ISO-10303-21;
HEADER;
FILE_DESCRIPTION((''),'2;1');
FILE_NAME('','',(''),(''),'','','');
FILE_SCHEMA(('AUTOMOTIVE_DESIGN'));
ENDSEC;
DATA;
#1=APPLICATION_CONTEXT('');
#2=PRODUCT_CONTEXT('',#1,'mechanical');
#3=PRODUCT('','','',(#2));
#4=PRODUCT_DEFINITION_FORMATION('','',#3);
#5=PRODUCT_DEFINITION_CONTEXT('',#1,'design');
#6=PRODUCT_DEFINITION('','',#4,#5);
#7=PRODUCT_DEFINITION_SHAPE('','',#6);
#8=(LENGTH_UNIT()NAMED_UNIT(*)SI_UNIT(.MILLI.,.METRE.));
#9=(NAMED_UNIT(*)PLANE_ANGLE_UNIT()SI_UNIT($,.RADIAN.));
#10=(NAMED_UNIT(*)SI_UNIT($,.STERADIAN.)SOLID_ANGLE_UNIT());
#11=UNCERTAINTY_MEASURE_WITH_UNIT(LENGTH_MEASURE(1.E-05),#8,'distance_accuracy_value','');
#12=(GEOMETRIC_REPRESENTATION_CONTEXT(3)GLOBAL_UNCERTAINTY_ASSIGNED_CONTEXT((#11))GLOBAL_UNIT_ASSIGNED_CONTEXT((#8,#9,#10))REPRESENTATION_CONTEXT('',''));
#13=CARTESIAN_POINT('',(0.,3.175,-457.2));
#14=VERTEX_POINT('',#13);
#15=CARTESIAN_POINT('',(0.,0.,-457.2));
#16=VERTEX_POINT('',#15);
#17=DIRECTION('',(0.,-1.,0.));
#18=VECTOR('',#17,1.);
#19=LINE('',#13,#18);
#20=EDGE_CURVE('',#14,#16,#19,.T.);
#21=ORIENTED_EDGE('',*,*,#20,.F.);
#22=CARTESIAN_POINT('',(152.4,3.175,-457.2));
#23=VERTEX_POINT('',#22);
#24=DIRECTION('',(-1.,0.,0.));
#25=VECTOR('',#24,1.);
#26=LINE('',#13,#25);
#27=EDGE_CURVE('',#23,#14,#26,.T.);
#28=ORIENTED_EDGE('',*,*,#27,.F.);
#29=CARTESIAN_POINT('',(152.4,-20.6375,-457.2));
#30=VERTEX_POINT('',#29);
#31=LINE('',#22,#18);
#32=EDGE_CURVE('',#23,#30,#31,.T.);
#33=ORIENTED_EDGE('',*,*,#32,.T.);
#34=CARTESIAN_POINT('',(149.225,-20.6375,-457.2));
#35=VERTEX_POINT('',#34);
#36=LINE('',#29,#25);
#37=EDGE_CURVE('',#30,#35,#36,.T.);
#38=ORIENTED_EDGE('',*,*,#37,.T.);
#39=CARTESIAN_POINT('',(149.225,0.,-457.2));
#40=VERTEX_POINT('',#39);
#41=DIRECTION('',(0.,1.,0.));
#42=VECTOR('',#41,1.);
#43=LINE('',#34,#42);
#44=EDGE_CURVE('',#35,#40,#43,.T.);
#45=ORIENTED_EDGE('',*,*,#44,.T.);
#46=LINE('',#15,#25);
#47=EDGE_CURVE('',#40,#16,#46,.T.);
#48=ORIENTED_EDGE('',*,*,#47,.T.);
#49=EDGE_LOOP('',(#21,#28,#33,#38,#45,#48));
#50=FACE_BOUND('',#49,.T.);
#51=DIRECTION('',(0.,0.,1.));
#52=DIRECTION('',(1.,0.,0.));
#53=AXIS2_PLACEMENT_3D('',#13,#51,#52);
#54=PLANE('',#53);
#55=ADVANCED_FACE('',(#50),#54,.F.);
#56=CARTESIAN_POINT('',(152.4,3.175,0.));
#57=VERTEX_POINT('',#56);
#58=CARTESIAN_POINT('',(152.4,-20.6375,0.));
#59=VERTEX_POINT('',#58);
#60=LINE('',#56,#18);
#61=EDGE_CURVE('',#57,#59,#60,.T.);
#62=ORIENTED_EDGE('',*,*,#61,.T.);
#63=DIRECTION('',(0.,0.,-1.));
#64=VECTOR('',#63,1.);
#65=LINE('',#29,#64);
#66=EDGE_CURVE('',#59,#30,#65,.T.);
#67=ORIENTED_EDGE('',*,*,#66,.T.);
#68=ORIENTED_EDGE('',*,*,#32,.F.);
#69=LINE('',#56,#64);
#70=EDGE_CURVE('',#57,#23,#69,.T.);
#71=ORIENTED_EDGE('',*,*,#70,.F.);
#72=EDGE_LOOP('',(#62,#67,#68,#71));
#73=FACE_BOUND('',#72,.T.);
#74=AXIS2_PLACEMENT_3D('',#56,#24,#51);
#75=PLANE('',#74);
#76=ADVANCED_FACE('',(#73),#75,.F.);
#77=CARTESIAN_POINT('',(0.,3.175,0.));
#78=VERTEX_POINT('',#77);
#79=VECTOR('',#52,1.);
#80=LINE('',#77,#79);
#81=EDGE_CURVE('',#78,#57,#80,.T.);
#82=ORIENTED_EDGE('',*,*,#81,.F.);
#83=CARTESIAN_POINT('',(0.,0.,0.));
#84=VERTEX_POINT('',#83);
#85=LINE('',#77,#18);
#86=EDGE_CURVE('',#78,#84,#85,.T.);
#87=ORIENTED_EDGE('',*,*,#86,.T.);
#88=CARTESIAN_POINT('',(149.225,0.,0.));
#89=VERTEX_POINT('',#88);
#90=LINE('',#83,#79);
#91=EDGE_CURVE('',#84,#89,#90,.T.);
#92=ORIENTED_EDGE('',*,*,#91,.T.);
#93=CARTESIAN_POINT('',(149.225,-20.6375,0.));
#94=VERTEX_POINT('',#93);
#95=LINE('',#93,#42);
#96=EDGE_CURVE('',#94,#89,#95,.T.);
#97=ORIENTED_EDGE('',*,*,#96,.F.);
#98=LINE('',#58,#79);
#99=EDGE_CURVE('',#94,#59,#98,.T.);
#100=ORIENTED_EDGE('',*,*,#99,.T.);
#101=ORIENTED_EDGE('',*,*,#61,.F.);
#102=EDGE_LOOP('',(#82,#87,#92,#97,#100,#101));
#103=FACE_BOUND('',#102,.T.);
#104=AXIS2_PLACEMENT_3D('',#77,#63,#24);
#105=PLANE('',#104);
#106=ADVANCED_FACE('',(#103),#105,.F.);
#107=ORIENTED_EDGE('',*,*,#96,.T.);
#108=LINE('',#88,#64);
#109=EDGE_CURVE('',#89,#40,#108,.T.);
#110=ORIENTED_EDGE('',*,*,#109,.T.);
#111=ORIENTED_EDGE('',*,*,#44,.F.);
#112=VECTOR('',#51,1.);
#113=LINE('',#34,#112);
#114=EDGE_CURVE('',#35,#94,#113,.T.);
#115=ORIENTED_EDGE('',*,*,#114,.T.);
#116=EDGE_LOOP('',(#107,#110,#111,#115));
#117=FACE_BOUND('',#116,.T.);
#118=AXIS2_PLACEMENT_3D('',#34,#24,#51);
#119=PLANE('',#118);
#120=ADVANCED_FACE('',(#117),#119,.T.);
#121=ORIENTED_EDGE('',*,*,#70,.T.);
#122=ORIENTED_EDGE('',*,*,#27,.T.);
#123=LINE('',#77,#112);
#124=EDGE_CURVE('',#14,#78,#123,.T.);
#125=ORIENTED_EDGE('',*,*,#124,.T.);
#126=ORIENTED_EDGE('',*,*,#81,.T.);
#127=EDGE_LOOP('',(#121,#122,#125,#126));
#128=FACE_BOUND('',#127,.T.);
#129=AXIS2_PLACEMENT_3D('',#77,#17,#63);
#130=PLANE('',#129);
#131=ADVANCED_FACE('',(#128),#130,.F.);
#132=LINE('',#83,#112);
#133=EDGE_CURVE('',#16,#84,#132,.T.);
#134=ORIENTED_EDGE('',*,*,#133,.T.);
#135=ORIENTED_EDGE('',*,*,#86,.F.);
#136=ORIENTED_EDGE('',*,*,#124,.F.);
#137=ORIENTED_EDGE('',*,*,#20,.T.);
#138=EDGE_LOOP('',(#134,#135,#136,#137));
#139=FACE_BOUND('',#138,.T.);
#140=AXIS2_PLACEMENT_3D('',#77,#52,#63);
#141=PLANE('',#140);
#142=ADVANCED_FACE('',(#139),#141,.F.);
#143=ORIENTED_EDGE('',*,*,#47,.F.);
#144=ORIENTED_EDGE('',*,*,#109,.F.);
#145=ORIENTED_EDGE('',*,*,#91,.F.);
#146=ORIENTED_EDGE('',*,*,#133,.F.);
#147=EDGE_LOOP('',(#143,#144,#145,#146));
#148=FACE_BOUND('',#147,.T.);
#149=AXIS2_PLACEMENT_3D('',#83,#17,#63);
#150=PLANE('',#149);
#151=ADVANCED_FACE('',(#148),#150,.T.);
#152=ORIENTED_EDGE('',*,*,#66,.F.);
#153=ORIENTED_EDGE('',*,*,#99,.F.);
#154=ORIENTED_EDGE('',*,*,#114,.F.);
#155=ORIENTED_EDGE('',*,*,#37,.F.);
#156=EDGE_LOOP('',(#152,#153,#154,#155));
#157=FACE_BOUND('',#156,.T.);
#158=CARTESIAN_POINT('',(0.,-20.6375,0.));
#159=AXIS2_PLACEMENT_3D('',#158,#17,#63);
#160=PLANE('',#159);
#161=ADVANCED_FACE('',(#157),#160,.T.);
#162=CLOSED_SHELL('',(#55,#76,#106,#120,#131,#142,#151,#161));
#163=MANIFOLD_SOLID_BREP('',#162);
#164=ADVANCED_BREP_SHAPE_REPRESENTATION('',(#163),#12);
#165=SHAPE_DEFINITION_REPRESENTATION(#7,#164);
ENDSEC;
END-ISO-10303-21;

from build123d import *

# Parameters (mm, degrees)
SKETCH1_W           = 152.4
SKETCH1_H           = 457.2
BOSS_EXTRUDE1_DEPTH = 3.175
SKETCH2_W           = 3.175
SKETCH2_H           = 457.2
BOSS_EXTRUDE2_DEPTH = 23.8125


with BuildPart() as part:
    # Sketch1 → Boss-Extrude1 (new body)
    with BuildSketch(Plane(origin=(0, 0, 0), x_dir=(1, 0, 0), z_dir=(0, 1, 0))):
        with Locations((76.2, 228.6)):
            Rectangle(SKETCH1_W, SKETCH1_H)
    extrude(amount=BOSS_EXTRUDE1_DEPTH)

    # Sketch2 → Boss-Extrude2 (add)
    with BuildSketch(Plane(origin=(0, 3.175, 0), x_dir=(1, 0, 0), z_dir=(0, 1, 0))):
        with Locations((150.8125, 228.6)):
            Rectangle(SKETCH2_W, SKETCH2_H)
    extrude(amount=-BOSS_EXTRUDE2_DEPTH)


solid = part.part
